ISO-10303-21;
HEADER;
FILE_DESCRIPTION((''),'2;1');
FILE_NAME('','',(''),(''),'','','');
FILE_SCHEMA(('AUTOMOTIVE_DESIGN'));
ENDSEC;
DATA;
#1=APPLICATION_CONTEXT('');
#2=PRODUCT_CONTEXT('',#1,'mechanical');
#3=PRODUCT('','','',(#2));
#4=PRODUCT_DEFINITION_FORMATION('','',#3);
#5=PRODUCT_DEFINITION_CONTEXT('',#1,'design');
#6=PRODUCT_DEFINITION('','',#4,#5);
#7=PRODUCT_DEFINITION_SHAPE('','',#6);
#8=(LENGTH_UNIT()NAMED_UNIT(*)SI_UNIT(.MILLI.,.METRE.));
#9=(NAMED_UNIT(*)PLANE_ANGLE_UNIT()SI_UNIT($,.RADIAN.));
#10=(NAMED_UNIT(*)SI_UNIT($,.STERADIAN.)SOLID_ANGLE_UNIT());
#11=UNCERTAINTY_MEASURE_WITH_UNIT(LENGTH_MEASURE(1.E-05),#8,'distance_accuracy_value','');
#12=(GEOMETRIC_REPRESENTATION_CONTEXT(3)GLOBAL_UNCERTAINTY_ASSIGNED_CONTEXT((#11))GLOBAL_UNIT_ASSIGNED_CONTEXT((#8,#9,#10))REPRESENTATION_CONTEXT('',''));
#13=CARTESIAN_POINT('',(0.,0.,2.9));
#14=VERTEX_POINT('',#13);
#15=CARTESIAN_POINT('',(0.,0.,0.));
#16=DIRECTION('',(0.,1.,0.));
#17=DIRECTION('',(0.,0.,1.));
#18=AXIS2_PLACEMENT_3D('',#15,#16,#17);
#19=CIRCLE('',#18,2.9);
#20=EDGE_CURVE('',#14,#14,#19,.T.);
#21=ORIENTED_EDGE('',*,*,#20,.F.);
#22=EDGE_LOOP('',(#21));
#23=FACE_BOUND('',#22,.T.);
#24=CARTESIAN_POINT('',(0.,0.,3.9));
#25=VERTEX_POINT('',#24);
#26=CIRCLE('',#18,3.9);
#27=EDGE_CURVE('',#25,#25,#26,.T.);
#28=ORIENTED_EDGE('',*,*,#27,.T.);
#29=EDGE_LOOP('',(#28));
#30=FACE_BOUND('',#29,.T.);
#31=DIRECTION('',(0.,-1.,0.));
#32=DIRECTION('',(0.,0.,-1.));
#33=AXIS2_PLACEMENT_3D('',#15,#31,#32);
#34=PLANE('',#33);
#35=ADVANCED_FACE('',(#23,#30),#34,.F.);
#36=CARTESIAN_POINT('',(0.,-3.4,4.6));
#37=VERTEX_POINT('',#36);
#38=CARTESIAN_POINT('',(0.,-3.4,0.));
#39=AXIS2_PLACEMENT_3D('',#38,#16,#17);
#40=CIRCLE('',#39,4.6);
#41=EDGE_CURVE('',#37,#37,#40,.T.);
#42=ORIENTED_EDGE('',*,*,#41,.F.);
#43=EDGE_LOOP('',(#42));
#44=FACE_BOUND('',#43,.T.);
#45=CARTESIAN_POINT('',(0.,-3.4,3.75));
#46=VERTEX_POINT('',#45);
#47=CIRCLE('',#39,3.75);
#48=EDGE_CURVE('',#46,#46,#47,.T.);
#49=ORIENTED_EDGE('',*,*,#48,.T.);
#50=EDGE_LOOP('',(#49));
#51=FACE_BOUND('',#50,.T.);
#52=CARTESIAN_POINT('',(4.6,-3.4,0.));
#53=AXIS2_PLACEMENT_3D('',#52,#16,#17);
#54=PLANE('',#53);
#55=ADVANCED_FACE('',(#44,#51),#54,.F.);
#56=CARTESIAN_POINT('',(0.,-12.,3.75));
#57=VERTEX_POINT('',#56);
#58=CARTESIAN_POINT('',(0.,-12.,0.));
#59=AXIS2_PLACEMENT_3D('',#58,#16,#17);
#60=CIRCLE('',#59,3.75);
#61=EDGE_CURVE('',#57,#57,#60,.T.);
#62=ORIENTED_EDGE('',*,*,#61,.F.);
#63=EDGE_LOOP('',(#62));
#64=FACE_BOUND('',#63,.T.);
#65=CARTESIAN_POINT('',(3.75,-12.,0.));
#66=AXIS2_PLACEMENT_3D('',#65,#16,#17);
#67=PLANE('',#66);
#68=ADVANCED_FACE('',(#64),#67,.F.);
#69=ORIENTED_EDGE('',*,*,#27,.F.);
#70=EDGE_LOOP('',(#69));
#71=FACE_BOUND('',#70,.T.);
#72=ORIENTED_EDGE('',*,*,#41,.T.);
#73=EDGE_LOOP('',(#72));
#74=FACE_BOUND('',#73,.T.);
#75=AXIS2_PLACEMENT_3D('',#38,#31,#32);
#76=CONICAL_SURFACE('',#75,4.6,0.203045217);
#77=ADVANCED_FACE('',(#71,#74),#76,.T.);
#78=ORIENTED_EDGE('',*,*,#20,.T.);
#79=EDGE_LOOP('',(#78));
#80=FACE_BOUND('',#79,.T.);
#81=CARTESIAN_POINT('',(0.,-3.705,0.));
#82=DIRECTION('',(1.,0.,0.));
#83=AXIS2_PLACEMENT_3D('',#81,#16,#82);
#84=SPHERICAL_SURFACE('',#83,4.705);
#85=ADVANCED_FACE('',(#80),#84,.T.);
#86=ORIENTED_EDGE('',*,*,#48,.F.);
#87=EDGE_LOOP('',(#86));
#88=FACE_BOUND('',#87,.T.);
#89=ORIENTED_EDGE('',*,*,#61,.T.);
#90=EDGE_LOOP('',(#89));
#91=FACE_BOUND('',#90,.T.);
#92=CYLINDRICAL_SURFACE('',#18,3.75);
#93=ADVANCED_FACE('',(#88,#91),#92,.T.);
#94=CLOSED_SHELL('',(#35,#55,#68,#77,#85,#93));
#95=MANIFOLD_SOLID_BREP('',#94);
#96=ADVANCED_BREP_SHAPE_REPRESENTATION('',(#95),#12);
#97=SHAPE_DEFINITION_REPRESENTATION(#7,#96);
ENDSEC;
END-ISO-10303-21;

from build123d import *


with BuildPart() as part:
    # Sketch1 → Revolve1 (revolve)
    with BuildSketch(Plane.XY, mode=Mode.PRIVATE) as revolve1_sk:
        Polygon((0, 0), (3.9, 0), (4.6, -3.4), (3.75, -3.4), (3.75, -12), (0, -12), align=None)
    revolve(revolve1_sk.sketch.rotate(Axis((0, 0, 0), (0, -1, 0)), 90), axis=Axis((0, 0, 0), (0, -1, 0)))

    # Sketch2 → Revolve2 (revolve)
    with BuildSketch(Plane.XY, mode=Mode.PRIVATE) as revolve2_sk:
        with BuildLine():
            Line((0, 1), (0, 0))
            Line((0, 0), (-2.9, 0))
            ThreePointArc((-2.9, 0), (-1.533786165, 0.742979879), (0, 1))
        make_face()
    revolve(revolve2_sk.sketch.rotate(Axis((0, 1, 0), (0, -1, 0)), 180), axis=Axis((0, 1, 0), (0, -1, 0)))


solid = part.part
